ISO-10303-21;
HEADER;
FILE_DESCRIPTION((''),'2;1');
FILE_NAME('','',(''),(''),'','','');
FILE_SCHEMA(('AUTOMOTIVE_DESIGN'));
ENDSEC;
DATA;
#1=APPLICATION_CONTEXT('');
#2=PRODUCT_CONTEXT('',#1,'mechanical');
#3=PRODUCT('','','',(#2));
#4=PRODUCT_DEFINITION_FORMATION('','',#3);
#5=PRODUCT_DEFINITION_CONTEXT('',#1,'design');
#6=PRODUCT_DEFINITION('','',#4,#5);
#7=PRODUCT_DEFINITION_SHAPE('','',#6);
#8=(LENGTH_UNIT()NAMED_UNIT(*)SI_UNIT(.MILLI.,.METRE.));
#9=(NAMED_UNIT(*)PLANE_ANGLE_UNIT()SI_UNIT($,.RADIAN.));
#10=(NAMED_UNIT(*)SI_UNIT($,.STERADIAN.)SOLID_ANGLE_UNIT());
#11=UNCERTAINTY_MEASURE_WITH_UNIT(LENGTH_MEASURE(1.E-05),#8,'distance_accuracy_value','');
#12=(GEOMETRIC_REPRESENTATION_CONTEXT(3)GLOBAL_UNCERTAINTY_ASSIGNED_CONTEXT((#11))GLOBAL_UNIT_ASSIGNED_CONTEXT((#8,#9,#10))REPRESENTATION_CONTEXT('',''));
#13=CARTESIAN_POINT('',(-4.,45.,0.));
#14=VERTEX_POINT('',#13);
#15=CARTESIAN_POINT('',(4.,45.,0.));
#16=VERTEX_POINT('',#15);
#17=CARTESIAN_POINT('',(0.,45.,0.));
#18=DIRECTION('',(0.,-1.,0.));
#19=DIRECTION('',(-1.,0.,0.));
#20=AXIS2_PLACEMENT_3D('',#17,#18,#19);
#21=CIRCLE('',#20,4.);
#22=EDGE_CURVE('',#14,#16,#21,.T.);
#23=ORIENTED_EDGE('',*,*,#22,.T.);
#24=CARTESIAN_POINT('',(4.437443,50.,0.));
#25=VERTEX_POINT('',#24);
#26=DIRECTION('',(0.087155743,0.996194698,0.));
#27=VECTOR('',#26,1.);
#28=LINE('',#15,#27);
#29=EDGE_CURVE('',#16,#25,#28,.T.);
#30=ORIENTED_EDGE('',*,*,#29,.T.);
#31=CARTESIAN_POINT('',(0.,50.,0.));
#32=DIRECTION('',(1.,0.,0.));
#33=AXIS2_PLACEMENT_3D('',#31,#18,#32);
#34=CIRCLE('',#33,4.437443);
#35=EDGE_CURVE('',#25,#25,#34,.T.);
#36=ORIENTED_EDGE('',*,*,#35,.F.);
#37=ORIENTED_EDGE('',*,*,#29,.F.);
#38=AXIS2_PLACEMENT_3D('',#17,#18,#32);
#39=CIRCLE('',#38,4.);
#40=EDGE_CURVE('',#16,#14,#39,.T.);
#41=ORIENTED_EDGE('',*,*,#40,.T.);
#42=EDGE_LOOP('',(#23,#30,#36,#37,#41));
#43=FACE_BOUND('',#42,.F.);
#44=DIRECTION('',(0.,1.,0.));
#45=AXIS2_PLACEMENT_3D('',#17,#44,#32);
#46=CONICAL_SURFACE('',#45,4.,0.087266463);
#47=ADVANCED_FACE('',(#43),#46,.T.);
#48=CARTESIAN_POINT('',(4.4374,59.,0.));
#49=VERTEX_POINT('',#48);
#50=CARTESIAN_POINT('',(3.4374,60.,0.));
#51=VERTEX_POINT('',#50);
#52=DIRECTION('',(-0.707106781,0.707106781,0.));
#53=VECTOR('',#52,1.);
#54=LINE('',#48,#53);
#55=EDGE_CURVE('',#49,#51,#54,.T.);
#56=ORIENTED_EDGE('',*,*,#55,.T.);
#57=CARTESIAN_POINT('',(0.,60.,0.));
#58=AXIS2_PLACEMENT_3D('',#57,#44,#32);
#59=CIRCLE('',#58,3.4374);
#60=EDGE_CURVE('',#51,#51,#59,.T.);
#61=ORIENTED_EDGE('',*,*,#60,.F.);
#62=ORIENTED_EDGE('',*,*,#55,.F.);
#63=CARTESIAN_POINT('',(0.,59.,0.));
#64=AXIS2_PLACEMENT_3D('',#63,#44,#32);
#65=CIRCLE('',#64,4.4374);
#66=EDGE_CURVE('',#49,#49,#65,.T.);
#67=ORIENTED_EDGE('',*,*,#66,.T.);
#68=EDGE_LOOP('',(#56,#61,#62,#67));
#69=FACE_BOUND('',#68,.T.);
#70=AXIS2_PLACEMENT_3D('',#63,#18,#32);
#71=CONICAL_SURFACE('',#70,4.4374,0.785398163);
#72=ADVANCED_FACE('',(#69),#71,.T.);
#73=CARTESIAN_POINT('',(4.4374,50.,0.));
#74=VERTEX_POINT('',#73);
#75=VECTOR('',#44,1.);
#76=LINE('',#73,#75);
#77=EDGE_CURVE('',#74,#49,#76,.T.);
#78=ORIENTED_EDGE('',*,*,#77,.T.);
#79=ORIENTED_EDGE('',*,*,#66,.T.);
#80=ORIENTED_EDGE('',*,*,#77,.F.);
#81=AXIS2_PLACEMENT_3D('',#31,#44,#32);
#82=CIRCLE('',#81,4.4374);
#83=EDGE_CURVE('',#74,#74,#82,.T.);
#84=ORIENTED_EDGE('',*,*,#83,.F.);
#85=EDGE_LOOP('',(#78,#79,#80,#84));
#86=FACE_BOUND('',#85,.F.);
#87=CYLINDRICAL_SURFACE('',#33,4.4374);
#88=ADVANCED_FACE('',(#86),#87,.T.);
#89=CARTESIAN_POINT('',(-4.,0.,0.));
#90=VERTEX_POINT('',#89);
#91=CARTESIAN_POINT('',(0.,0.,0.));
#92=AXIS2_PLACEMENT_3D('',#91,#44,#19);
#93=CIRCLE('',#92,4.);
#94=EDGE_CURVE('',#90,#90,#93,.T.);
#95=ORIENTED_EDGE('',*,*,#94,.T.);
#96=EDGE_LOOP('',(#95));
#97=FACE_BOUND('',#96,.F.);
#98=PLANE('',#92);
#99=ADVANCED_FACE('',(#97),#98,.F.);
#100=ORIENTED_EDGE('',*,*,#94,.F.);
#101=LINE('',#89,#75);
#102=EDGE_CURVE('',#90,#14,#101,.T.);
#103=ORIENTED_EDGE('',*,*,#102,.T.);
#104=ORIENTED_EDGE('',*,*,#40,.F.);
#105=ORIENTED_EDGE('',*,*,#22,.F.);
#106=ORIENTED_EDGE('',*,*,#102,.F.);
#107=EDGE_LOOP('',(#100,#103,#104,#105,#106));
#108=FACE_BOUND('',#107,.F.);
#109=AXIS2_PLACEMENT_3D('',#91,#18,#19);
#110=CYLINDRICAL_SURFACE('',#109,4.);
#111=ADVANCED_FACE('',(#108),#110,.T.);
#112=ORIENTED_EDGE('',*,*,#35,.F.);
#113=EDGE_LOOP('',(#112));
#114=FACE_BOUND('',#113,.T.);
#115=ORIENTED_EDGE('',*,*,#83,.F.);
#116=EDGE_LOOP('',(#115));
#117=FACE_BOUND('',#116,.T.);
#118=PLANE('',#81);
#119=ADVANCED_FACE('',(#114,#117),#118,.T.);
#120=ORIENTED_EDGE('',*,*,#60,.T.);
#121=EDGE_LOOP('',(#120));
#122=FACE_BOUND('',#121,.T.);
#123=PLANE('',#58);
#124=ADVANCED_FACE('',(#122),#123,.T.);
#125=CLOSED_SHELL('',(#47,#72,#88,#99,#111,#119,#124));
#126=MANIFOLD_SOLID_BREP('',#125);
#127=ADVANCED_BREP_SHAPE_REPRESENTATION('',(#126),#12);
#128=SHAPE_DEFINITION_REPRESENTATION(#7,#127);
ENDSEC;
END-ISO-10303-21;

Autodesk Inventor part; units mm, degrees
ref_plane "YZ Plane" through (0, 0, 0) normal (1, 0, 0) x (0, 1, 0)
ref_plane "XZ Plane" through (0, 0, 0) normal (0, 1, 0) x (-1, 0, 0)
ref_plane "XY Plane" through (0, 0, 0) normal (0, 0, 1) x (1, 0, 0)
sketch "Sketch1" plane through (0, 0, 0) normal (0, 1, 0) x (-1, 0, 0)
  circle A0 centre (0, 0) radius 4
  dimension "d0" = 8
extrude "Extrusion1" add sketch "Sketch1" along normal blind 45
sketch "Sketch2" plane through (0, 45, 0) normal (0, 1, 0) x (1, 0, 0)
  circle A0 centre (0, 0) radius 4 projected
extrude "Extrusion2" add sketch "Sketch2" along normal blind 5 draft 5
sketch "Sketch3" plane through (0, 50, 0) normal (0, 1, 0) x (1, 0, 0)
  circle A0 centre (0, 0) radius 4.4374 projected
extrude "Extrusion3" add sketch "Sketch3" along normal blind 10
chamfer "Chamfer1" distance 1 angle 45 1 edges at (-4.4374, 60, 0)
properties part number "Handbar"
